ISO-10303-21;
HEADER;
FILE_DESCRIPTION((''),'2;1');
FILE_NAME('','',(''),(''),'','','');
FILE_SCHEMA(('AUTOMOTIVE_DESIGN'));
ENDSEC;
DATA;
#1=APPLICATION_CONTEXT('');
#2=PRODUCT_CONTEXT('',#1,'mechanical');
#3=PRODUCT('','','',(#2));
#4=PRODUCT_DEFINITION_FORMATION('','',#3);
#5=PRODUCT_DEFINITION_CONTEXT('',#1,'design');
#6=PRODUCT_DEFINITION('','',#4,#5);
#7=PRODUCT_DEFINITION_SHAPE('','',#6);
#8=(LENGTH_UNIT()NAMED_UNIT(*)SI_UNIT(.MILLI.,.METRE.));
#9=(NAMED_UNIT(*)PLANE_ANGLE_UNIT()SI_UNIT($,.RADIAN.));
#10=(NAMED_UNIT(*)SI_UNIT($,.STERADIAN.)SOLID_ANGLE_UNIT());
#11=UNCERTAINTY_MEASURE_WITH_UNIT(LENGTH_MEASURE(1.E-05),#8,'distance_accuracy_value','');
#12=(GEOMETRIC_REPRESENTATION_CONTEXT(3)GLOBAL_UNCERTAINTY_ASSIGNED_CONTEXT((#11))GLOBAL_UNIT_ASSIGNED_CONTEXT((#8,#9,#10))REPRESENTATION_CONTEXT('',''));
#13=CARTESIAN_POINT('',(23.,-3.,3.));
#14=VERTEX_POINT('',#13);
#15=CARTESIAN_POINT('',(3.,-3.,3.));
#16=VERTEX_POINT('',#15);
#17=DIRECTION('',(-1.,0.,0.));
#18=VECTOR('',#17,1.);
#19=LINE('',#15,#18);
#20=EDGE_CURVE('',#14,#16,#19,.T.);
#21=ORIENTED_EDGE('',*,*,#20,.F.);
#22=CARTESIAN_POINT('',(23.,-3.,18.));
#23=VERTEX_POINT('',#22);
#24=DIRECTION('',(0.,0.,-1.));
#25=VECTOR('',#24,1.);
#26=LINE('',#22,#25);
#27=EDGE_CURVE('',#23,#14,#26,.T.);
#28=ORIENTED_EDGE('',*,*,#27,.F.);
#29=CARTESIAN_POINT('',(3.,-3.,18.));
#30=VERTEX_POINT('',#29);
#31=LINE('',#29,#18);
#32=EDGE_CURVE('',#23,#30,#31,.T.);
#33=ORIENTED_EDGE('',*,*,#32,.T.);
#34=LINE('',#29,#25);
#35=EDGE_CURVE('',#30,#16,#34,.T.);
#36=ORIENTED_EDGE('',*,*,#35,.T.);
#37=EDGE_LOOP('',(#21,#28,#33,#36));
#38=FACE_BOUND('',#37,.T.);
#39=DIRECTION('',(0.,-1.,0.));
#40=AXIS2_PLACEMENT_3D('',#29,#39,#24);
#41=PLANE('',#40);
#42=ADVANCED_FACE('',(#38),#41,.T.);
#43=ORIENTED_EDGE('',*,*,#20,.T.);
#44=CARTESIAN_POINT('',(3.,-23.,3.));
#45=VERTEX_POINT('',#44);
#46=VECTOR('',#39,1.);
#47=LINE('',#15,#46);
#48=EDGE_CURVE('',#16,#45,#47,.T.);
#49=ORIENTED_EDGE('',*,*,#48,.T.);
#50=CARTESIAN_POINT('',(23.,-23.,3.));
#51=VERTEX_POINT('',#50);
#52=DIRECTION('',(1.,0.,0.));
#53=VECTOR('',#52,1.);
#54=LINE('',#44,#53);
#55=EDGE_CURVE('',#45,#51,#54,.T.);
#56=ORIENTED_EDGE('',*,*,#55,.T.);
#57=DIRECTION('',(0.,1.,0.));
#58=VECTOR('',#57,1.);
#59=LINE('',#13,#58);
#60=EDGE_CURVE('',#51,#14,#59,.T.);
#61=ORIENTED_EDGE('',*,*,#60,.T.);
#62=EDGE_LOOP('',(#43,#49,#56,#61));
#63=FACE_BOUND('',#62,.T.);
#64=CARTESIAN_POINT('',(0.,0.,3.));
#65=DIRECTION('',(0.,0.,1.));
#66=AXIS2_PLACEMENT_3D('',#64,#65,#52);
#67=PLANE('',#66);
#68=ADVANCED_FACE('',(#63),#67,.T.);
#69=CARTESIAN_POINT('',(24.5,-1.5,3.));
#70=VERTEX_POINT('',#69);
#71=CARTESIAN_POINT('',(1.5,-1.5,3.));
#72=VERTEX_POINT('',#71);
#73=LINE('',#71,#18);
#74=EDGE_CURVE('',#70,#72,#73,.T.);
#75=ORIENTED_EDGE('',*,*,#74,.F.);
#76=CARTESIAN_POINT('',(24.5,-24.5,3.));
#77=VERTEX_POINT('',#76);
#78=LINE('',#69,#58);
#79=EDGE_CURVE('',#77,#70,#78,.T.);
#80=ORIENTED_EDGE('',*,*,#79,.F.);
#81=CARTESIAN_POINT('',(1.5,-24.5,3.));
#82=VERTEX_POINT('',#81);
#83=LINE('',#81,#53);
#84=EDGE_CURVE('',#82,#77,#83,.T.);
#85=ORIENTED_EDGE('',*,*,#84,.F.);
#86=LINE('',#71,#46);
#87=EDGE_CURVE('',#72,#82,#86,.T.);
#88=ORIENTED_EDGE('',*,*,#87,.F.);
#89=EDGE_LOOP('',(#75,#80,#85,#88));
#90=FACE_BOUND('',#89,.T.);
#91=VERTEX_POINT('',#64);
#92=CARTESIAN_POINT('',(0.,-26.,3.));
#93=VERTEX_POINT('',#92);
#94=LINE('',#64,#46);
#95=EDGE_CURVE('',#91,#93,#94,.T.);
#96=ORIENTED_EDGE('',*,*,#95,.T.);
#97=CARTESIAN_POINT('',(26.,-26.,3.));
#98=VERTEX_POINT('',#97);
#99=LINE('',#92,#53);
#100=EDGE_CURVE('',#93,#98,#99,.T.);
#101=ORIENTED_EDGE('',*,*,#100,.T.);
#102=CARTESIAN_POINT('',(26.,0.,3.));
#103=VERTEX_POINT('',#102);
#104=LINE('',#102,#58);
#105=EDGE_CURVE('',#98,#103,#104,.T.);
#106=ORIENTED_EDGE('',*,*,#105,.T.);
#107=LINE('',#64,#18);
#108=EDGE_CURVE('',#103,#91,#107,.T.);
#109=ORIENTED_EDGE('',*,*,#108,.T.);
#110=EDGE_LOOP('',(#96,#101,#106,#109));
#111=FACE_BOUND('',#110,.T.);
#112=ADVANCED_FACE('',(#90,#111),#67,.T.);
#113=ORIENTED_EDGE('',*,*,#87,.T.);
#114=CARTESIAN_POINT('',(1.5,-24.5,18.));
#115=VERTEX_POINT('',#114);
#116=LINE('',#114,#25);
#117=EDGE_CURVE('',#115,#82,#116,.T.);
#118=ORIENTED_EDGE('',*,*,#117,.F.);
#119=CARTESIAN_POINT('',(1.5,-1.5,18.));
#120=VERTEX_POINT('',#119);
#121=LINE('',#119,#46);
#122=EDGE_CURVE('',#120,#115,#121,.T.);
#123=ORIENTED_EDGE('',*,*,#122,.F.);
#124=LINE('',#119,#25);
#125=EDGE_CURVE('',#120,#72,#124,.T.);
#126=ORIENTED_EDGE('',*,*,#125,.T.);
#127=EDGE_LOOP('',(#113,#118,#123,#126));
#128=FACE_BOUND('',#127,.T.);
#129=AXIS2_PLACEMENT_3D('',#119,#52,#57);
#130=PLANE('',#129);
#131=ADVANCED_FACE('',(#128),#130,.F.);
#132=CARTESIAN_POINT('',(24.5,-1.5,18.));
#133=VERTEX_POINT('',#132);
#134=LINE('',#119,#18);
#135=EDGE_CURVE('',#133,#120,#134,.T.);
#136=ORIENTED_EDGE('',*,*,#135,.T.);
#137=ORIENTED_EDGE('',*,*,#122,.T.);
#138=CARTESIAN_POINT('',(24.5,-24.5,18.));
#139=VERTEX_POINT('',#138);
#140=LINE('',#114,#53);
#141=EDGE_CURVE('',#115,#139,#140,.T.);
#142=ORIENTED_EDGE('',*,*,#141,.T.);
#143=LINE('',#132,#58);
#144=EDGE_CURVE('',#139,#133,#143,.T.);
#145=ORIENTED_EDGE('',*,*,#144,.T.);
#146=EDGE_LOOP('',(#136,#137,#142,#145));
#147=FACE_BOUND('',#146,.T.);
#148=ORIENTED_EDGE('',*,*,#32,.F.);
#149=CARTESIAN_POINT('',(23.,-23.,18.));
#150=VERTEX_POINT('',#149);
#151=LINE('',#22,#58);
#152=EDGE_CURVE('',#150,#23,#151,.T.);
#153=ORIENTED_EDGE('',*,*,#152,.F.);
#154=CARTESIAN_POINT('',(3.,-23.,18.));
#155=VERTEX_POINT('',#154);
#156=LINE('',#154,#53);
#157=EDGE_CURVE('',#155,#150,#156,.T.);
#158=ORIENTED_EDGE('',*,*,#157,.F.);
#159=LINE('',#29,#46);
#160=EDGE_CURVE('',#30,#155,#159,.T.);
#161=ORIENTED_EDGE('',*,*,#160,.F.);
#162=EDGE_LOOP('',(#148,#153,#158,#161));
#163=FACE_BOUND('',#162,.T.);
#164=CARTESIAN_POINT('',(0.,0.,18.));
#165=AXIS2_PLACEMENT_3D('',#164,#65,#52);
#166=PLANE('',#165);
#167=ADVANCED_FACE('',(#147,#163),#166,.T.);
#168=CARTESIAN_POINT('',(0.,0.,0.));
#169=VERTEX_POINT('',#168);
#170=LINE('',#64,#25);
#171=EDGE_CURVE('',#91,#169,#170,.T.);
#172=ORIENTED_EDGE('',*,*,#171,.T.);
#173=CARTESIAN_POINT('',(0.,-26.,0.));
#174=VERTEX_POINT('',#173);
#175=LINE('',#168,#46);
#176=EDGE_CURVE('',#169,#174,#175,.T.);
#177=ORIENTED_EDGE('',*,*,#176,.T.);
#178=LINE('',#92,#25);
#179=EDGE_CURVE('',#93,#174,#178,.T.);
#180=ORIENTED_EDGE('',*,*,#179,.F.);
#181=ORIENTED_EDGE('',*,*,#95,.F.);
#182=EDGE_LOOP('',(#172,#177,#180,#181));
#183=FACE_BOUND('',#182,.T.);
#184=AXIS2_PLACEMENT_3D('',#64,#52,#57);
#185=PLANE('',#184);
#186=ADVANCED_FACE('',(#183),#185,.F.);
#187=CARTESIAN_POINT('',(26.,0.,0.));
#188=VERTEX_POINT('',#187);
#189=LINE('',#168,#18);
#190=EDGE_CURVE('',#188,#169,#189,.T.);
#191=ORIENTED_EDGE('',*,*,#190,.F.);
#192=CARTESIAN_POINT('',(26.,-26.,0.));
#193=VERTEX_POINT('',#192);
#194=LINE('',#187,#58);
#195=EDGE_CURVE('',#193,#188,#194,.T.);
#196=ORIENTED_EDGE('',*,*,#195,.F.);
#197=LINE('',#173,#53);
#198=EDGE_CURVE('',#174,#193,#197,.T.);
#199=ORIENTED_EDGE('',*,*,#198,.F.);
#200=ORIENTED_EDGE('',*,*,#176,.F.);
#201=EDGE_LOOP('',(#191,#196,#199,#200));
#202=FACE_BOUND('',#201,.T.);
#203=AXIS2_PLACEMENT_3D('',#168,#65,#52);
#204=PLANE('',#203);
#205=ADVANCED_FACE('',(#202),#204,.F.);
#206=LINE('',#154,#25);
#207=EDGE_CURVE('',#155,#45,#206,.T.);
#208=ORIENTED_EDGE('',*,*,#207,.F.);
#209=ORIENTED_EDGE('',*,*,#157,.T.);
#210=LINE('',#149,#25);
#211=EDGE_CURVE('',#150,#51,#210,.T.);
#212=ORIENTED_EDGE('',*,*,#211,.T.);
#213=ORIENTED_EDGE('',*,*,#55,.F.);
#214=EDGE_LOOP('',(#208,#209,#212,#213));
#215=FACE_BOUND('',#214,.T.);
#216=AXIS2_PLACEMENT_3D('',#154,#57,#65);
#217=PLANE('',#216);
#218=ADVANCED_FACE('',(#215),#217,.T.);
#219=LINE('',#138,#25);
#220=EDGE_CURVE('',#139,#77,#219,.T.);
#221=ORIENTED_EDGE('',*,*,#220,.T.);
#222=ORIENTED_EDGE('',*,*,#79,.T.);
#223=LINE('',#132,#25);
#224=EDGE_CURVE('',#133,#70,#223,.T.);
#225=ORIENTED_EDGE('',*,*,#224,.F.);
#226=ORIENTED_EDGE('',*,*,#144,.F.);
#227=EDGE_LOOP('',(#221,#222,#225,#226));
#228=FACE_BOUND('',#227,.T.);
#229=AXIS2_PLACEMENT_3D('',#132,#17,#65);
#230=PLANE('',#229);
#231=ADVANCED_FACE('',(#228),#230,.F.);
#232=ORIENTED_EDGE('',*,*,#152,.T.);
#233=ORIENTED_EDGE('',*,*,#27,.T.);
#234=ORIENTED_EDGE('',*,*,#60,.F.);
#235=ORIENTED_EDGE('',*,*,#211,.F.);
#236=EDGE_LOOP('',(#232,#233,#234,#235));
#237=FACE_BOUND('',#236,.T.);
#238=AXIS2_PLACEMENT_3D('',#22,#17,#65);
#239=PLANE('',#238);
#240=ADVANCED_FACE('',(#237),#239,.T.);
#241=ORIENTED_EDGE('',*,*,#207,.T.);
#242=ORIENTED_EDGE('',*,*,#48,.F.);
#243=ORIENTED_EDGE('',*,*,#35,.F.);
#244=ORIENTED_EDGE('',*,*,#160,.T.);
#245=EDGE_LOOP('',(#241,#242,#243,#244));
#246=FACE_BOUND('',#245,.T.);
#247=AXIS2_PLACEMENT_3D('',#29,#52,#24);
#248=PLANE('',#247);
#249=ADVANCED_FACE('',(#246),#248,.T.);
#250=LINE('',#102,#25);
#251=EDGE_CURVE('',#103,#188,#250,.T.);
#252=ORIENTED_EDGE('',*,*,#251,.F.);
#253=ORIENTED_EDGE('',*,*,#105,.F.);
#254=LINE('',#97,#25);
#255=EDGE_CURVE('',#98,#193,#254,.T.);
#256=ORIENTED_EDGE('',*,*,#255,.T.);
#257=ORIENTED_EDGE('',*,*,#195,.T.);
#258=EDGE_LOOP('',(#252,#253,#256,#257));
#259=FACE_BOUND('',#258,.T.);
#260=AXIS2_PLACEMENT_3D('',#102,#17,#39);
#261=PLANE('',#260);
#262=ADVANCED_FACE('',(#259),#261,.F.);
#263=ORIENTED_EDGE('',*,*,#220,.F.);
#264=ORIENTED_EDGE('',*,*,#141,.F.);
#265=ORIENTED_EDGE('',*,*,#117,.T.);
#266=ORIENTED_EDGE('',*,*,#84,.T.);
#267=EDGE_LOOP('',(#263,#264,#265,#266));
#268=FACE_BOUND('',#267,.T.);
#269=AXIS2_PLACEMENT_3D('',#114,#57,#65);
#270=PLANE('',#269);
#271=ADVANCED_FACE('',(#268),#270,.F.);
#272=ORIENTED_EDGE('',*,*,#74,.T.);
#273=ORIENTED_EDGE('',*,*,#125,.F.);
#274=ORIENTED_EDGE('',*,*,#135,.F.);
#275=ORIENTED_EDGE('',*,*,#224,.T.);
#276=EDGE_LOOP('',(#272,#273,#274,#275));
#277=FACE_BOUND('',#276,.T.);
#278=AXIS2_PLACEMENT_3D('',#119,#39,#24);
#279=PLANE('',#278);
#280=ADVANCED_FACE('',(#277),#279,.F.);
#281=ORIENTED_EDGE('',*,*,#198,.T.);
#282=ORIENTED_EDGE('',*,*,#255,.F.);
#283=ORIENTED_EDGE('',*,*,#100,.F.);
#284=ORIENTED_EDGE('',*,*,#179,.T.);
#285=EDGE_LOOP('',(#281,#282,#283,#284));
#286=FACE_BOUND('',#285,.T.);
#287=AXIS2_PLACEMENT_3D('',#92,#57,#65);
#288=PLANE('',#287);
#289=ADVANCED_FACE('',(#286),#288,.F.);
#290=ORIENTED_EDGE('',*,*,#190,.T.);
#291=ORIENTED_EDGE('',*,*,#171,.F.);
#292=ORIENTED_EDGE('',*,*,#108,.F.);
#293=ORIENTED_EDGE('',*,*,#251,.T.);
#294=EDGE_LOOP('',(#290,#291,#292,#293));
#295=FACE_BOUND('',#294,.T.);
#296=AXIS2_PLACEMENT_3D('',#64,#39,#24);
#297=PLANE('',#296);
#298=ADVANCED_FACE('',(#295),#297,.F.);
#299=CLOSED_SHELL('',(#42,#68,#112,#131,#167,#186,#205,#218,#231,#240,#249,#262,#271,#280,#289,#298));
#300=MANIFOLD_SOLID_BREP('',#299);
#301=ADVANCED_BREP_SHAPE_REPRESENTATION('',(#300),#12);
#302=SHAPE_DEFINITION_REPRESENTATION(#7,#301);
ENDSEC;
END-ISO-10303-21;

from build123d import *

# Parameters (mm, degrees)
CROQUIS1_W              = 26
CROQUIS1_H              = 26
SALIENTE_EXTRUIR1_DEPTH = 3
CROQUIS2_W              = 23
CROQUIS2_H              = 23
CROQUIS2_W_2            = 20
CROQUIS2_H_2            = 20
SALIENTE_EXTRUIR2_DEPTH = 15


with BuildPart() as part:
    # Croquis1 → Saliente-Extruir1 (new body)
    with BuildSketch(Plane.XY):
        with Locations((13, -13)):
            Rectangle(CROQUIS1_W, CROQUIS1_H)
    extrude(amount=SALIENTE_EXTRUIR1_DEPTH)

    # Croquis2 → Saliente-Extruir2 (add)
    with BuildSketch(Plane.XY.offset(3)):
        with Locations((13, -13)):
            Rectangle(CROQUIS2_W, CROQUIS2_H)
        with Locations((13, -13)):
            Rectangle(CROQUIS2_W_2, CROQUIS2_H_2, mode=Mode.SUBTRACT)
    extrude(amount=SALIENTE_EXTRUIR2_DEPTH)


solid = part.part
